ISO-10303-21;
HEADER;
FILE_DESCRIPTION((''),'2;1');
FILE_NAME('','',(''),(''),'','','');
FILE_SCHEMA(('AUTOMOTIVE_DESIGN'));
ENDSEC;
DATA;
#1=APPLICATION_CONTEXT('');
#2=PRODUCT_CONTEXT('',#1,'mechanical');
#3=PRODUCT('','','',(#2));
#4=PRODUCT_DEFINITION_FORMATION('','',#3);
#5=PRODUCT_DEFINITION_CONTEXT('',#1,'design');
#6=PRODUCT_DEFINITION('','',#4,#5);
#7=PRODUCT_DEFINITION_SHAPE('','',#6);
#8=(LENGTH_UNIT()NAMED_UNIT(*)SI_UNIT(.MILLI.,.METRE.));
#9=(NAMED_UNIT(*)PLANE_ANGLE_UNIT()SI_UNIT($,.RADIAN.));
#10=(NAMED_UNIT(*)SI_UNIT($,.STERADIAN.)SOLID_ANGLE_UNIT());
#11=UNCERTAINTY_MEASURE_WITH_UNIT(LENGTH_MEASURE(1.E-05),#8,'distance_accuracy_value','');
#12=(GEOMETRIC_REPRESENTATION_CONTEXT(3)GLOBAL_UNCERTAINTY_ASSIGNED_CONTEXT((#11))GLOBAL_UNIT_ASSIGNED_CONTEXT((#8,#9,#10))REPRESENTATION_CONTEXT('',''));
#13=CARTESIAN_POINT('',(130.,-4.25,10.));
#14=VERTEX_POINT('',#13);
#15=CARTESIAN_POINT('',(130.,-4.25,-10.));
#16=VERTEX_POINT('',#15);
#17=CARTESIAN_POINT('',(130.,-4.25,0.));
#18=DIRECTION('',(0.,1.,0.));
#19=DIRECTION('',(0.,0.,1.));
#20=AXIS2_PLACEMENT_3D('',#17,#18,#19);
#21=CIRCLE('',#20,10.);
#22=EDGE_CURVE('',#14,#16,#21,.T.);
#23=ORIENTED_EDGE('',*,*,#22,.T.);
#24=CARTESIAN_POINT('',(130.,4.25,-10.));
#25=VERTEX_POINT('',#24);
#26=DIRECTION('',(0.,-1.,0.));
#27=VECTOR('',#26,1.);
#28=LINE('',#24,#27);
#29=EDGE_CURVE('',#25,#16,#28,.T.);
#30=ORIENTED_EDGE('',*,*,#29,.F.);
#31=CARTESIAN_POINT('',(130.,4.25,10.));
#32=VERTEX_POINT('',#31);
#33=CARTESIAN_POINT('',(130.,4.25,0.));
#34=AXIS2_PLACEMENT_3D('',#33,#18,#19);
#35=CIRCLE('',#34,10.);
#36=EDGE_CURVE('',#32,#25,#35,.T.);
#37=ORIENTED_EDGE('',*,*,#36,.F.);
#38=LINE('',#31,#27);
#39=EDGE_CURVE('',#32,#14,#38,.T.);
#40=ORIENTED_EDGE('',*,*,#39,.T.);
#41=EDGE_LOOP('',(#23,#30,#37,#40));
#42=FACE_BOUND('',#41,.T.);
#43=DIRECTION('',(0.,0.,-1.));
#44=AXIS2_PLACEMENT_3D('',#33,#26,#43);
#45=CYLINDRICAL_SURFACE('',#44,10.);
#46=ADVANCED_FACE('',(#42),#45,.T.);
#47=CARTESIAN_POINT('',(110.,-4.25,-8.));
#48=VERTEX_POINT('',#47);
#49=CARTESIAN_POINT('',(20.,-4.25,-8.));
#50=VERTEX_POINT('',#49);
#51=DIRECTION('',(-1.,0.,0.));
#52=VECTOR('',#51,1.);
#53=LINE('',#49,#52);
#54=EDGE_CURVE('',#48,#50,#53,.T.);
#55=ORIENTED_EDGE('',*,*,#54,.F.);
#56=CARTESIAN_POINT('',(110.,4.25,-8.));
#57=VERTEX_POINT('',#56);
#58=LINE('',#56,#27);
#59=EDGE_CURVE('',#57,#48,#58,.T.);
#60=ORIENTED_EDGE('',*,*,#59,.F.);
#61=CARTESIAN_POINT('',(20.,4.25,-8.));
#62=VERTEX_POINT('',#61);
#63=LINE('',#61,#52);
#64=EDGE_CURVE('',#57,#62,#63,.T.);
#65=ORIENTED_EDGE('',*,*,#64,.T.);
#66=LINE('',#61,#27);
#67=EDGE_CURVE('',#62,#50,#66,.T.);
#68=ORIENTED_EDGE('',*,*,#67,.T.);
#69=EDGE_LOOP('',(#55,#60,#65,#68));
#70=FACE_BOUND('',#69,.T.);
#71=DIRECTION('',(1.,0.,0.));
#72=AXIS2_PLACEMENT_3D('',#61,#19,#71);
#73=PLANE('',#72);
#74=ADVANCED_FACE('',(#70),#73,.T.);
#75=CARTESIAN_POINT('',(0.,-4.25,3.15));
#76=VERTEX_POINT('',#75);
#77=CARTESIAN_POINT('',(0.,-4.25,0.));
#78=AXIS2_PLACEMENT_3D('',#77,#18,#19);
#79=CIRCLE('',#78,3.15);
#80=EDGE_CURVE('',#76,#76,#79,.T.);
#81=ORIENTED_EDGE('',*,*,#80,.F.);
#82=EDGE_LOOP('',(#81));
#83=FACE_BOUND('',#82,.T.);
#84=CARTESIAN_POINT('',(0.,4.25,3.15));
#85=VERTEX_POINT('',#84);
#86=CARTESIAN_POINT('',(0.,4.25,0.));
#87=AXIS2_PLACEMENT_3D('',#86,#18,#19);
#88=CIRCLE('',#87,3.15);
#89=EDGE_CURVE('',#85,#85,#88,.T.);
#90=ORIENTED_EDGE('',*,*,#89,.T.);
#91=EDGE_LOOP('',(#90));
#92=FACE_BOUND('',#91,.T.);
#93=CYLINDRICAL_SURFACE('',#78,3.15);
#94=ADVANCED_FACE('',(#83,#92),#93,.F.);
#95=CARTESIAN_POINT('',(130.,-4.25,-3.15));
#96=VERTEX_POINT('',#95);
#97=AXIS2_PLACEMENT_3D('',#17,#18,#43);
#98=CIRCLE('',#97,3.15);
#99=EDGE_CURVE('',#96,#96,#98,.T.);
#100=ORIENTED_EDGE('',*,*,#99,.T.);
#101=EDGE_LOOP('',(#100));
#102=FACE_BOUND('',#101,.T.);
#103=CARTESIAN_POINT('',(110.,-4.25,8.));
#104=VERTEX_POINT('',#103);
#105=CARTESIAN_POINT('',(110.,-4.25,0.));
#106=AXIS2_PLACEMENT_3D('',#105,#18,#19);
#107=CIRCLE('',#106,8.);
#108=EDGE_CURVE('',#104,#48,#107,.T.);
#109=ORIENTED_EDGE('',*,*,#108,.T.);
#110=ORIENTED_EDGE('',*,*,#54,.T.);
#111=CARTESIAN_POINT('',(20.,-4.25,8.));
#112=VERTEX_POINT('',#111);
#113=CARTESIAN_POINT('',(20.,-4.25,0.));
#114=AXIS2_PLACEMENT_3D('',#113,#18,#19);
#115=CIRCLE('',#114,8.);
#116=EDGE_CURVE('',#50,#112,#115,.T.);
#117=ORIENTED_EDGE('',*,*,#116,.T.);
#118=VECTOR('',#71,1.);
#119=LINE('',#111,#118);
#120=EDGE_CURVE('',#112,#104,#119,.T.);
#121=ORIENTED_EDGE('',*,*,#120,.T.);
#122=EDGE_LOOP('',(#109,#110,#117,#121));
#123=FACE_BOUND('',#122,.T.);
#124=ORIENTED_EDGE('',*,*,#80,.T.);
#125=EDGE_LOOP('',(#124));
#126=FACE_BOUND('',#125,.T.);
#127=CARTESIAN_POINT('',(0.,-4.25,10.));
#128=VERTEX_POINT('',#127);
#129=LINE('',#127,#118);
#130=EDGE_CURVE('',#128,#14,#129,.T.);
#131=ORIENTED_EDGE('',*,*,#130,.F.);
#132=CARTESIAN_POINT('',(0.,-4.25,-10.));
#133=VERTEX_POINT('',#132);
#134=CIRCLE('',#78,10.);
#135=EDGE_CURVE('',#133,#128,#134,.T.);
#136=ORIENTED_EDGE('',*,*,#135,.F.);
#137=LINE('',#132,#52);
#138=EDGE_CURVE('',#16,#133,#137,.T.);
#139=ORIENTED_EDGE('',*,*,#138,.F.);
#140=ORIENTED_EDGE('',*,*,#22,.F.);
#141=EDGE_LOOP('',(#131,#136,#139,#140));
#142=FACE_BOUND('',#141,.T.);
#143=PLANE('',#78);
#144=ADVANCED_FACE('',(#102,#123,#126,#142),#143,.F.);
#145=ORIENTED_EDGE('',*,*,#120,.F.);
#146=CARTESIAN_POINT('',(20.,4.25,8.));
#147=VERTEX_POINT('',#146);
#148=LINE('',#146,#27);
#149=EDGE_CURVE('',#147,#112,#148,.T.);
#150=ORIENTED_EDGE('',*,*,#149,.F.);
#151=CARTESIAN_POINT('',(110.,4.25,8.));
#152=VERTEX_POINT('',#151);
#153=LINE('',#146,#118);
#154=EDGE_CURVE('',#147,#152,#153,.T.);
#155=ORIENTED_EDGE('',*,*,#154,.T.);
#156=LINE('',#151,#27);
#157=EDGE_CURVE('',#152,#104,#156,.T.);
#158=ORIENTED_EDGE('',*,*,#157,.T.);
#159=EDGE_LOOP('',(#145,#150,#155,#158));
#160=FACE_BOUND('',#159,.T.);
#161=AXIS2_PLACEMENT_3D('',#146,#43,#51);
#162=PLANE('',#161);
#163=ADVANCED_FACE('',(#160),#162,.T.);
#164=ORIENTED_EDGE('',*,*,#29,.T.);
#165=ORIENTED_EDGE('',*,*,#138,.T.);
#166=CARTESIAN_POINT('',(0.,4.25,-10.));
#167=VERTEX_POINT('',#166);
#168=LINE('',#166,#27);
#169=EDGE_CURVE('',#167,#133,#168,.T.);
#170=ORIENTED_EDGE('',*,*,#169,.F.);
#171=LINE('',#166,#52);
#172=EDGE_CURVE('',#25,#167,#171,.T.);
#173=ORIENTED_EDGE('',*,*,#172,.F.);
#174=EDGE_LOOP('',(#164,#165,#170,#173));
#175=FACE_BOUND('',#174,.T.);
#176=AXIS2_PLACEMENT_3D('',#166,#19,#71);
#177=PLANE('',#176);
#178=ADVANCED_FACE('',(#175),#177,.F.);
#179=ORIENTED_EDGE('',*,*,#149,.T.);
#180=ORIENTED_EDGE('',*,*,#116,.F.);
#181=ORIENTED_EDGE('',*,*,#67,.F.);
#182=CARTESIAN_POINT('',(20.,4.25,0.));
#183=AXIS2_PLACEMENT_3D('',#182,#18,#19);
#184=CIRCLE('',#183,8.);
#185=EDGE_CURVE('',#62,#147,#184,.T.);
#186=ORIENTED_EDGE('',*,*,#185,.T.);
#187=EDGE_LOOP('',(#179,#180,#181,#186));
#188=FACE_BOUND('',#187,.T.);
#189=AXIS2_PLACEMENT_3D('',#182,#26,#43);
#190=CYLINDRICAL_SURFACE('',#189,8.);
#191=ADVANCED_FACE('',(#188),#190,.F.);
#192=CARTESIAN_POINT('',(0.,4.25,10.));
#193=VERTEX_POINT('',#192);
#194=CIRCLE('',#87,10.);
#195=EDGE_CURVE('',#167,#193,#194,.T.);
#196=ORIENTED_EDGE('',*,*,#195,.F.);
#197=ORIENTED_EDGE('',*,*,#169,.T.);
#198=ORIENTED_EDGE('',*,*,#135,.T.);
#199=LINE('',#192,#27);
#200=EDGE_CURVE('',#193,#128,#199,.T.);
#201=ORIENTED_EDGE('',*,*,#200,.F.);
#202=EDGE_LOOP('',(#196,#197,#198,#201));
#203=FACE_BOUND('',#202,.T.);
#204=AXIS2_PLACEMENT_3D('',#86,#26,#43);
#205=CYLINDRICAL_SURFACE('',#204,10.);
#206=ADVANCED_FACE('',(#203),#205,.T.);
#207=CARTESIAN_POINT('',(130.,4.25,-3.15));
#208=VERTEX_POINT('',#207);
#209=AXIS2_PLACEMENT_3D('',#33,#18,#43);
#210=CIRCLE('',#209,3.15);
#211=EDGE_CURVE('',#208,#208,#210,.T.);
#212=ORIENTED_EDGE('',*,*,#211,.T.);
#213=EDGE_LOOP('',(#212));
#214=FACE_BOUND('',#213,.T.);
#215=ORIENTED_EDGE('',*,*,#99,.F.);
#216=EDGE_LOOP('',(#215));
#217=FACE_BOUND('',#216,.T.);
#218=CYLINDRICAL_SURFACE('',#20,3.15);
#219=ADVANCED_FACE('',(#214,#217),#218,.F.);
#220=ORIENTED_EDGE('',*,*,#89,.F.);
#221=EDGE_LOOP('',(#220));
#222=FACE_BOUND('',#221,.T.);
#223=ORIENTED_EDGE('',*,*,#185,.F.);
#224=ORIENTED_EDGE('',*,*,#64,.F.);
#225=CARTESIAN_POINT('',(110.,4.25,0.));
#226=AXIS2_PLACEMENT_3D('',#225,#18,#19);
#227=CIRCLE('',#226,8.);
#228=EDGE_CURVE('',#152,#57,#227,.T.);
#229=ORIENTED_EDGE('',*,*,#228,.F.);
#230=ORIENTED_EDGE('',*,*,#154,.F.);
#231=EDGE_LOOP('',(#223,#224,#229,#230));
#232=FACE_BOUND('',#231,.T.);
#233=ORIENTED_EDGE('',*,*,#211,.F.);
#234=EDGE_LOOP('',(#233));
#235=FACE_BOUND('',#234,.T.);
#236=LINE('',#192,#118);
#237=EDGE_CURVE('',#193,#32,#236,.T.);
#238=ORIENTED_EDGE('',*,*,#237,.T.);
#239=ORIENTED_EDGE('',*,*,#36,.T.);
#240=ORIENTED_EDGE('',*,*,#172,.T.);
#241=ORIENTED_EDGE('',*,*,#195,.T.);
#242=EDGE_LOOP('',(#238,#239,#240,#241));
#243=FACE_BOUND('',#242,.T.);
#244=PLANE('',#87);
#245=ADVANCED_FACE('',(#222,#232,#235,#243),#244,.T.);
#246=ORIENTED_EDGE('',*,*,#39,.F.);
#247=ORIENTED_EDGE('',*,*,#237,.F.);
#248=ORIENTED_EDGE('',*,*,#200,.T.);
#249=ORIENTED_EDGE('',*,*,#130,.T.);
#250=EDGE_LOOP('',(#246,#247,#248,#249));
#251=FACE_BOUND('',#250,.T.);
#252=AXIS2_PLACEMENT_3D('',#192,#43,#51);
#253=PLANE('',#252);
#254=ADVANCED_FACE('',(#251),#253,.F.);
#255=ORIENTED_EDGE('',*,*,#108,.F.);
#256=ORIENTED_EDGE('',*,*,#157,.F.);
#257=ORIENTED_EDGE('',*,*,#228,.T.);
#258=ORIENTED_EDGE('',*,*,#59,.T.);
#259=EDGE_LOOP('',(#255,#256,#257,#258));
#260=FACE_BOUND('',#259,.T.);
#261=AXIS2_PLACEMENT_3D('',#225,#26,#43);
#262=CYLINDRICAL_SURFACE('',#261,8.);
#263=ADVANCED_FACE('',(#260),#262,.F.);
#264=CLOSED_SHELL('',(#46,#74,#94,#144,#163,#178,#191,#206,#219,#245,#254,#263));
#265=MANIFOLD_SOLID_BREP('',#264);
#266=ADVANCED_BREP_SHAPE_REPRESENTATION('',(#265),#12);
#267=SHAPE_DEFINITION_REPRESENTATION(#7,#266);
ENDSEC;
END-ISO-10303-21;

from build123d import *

# Parameters (mm, degrees)
BOSS_EXTRU_1_DEPTH      = 4.25
ESQUISSE2_R             = 3.15
ENL_V_MAT_EXTRU_1_DEPTH = 9.5


with BuildPart() as part:
    # Esquisse1 → Boss.-Extru.1 (new body, symmetric)
    with BuildSketch(Plane(origin=(0, 0, 0), x_dir=(1, 0, 0), z_dir=(0, 1, 0))):
        with BuildLine():
            Line((0, 10), (130, 10))
            ThreePointArc((130, 10), (140, 0), (130, -10))
            Line((130, -10), (0, -10))
            ThreePointArc((0, -10), (-10, 0), (0, 10))
        make_face()
        with BuildLine():
            Line((20, 8), (110, 8))
            ThreePointArc((110, 8), (118, 0), (110, -8))
            Line((110, -8), (20, -8))
            ThreePointArc((20, -8), (12, 0), (20, 8))
        make_face(mode=Mode.SUBTRACT)
    extrude(amount=BOSS_EXTRU_1_DEPTH, both=True)

    # Esquisse2 → Enlèv. mat.-Extru.1 (cut, through all)
    with BuildSketch(Plane(origin=(0, 4.25, 0), x_dir=(1, 0, 0), z_dir=(0, 1, 0))):
        Circle(ESQUISSE2_R)
        with Locations((130, 0)):
            Circle(ESQUISSE2_R)
    extrude(amount=-ENL_V_MAT_EXTRU_1_DEPTH, mode=Mode.SUBTRACT)


solid = part.part
